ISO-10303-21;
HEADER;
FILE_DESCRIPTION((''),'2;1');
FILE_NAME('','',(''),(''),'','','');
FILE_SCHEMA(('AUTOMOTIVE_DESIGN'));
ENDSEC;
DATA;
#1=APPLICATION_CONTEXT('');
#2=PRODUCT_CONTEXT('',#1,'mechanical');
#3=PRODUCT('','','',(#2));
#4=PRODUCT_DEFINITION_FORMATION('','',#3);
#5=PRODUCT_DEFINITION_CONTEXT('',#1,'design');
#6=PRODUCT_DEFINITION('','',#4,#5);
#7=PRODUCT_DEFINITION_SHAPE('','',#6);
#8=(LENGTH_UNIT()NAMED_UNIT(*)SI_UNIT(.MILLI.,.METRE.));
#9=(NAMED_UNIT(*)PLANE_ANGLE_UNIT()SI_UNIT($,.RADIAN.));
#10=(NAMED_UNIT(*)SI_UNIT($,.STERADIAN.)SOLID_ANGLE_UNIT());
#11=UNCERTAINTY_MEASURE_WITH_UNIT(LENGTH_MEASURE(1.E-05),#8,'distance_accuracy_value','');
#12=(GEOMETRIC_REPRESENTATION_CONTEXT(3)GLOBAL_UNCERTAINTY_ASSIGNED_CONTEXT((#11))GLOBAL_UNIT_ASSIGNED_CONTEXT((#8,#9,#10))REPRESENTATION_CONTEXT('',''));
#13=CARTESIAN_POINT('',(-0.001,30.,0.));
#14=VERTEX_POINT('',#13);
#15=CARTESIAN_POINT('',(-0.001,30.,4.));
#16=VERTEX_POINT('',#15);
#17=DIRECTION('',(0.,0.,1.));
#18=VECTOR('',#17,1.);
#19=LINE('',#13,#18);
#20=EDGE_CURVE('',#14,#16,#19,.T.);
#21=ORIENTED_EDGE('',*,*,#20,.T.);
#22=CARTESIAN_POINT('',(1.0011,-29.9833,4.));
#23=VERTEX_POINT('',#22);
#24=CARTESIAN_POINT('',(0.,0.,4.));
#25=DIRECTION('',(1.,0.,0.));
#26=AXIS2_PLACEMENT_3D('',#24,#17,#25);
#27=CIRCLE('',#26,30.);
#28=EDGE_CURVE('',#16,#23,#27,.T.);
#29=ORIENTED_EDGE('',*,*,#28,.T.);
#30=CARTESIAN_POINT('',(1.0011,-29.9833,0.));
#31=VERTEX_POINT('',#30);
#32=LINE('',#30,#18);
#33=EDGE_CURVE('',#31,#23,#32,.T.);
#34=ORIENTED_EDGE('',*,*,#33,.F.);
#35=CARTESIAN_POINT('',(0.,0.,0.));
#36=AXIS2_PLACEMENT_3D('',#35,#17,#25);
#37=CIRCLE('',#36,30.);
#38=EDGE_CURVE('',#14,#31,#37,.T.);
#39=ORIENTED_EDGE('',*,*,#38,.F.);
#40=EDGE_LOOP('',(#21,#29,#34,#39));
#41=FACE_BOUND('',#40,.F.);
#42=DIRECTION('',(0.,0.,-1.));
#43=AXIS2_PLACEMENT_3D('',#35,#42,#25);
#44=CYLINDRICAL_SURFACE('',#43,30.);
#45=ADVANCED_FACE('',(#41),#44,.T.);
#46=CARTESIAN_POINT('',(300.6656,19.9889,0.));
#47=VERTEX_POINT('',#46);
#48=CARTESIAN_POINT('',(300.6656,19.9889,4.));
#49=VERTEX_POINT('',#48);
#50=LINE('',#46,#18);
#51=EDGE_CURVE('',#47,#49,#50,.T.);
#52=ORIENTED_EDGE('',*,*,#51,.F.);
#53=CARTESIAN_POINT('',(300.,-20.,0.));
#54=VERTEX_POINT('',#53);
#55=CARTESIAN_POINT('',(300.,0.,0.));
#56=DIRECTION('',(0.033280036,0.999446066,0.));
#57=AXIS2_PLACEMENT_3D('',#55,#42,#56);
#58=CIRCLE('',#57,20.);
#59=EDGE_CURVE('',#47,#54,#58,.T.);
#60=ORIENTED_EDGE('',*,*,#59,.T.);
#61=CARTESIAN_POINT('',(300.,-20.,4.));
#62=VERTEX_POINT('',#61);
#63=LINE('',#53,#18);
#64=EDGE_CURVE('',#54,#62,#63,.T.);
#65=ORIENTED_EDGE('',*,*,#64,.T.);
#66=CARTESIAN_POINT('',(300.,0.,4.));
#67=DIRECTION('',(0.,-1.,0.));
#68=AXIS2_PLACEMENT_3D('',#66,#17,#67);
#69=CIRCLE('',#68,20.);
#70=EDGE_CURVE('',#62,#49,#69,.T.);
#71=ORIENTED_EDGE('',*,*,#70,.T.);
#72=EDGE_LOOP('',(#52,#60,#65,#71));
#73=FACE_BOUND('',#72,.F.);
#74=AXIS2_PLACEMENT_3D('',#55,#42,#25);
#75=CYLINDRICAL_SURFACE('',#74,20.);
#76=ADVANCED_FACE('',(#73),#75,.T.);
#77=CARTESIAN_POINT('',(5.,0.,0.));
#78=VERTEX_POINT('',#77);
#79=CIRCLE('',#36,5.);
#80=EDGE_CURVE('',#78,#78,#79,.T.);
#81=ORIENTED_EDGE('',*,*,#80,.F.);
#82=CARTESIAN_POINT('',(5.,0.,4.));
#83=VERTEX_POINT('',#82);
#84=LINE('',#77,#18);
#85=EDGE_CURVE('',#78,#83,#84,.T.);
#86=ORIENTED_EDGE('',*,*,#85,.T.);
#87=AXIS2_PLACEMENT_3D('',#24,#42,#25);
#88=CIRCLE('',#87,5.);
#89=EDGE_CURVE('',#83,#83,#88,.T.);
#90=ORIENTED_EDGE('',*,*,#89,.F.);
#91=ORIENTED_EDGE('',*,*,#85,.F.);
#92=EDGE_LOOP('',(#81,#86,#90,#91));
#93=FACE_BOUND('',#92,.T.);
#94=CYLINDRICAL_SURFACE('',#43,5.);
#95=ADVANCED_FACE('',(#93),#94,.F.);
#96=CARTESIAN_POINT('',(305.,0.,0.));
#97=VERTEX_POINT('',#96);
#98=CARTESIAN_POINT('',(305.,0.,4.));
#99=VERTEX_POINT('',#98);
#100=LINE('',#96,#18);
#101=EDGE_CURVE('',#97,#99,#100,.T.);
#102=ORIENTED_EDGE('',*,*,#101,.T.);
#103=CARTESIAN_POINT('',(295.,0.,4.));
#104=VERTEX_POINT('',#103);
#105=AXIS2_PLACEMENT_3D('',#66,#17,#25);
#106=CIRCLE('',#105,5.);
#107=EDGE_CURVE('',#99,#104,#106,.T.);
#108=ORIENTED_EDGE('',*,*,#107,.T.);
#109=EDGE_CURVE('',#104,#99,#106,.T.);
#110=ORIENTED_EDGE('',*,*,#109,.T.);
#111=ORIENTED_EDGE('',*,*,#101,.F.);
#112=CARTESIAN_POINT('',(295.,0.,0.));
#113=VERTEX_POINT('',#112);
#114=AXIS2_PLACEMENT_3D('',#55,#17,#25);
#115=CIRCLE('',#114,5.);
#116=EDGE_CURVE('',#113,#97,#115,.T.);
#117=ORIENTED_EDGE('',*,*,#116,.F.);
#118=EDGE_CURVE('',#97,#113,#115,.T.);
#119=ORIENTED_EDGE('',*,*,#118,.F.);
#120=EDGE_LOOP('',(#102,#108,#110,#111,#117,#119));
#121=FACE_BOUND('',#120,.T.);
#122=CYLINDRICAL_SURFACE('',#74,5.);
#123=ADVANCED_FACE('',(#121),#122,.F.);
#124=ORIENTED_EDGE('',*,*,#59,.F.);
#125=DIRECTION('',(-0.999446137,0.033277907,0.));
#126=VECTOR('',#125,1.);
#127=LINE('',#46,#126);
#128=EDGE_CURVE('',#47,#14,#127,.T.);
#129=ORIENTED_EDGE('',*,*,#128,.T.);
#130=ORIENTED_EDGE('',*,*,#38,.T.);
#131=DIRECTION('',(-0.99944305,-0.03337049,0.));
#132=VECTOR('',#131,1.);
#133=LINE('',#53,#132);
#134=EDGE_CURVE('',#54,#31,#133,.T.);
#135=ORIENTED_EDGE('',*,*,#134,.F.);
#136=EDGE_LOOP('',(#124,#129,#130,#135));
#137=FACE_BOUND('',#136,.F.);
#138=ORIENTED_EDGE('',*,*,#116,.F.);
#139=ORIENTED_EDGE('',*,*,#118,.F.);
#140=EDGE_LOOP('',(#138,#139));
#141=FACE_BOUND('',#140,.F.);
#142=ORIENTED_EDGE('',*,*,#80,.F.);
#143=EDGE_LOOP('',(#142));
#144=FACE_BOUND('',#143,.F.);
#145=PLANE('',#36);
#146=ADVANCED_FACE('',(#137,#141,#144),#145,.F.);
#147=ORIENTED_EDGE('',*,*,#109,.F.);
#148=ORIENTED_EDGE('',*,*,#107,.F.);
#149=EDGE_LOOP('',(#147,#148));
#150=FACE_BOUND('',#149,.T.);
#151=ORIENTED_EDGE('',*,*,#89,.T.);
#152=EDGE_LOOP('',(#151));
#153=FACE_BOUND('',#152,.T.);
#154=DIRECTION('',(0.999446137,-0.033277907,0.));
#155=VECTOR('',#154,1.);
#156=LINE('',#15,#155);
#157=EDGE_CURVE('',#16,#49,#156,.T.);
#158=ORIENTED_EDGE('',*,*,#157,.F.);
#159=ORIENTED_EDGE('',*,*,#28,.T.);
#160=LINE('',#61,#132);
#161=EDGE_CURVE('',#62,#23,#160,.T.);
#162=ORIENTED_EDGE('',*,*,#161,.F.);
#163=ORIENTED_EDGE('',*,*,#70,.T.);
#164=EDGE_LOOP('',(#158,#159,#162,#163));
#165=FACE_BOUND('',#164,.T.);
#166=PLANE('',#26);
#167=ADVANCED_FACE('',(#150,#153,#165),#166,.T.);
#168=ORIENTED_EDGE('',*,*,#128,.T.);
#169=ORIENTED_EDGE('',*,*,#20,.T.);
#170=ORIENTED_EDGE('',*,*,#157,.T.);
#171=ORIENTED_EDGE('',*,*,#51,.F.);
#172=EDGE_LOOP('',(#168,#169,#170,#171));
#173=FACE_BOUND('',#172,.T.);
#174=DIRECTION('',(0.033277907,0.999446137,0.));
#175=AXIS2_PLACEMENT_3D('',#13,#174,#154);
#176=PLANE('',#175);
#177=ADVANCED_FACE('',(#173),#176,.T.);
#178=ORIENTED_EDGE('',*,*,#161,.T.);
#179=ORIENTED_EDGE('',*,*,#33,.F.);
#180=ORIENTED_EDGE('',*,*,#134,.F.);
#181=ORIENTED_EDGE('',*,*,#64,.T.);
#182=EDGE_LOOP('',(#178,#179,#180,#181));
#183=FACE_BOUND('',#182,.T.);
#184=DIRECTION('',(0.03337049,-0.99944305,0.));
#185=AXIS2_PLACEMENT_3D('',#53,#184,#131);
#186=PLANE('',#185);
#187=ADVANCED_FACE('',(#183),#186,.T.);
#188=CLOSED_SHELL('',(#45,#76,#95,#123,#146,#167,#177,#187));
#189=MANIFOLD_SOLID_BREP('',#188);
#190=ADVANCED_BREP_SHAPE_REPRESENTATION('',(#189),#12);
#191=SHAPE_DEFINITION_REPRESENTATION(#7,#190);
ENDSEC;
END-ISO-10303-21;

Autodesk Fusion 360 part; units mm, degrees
sketch "Boceto1" plane through (0, 0, 0) normal (0, 0, 1) x (1, 0, 0)
  circle A0 centre (0, 0) radius 30
  circle A1 centre (300, 0) radius 20
  line L0 (-0.001, 30) -> (300.6656, 19.9889)
  line L1 (300, -20) -> (1.0011, -29.9833)
  circle A2 centre (300, 0) radius 5
  circle A3 centre (0, 0) radius 5
  line L2 (0, 0) -> (50, 0)
  line L3 (50, 0) -> (100, 0)
  line L4 (150, 0) -> (200, 0)
  line L5 (100, 0) -> (150, 0)
  line L6 (250, 0) -> (300, 0)
  line L7 (200, 0) -> (250, 0)
  line L8 (0, 0) -> (-15, 0)
extrude "Extruir2" add sketch "Boceto1" along normal blind 4 contours A0 L0 | A0 A1 L1 L2 L3 L4 L5 L6 L7 | A0 A1 L0 L2 L3 L4 L5 L6 L7 | A1 picked at (-1.5634, 21.558)
extrude "Extruir1" [suppressed]
